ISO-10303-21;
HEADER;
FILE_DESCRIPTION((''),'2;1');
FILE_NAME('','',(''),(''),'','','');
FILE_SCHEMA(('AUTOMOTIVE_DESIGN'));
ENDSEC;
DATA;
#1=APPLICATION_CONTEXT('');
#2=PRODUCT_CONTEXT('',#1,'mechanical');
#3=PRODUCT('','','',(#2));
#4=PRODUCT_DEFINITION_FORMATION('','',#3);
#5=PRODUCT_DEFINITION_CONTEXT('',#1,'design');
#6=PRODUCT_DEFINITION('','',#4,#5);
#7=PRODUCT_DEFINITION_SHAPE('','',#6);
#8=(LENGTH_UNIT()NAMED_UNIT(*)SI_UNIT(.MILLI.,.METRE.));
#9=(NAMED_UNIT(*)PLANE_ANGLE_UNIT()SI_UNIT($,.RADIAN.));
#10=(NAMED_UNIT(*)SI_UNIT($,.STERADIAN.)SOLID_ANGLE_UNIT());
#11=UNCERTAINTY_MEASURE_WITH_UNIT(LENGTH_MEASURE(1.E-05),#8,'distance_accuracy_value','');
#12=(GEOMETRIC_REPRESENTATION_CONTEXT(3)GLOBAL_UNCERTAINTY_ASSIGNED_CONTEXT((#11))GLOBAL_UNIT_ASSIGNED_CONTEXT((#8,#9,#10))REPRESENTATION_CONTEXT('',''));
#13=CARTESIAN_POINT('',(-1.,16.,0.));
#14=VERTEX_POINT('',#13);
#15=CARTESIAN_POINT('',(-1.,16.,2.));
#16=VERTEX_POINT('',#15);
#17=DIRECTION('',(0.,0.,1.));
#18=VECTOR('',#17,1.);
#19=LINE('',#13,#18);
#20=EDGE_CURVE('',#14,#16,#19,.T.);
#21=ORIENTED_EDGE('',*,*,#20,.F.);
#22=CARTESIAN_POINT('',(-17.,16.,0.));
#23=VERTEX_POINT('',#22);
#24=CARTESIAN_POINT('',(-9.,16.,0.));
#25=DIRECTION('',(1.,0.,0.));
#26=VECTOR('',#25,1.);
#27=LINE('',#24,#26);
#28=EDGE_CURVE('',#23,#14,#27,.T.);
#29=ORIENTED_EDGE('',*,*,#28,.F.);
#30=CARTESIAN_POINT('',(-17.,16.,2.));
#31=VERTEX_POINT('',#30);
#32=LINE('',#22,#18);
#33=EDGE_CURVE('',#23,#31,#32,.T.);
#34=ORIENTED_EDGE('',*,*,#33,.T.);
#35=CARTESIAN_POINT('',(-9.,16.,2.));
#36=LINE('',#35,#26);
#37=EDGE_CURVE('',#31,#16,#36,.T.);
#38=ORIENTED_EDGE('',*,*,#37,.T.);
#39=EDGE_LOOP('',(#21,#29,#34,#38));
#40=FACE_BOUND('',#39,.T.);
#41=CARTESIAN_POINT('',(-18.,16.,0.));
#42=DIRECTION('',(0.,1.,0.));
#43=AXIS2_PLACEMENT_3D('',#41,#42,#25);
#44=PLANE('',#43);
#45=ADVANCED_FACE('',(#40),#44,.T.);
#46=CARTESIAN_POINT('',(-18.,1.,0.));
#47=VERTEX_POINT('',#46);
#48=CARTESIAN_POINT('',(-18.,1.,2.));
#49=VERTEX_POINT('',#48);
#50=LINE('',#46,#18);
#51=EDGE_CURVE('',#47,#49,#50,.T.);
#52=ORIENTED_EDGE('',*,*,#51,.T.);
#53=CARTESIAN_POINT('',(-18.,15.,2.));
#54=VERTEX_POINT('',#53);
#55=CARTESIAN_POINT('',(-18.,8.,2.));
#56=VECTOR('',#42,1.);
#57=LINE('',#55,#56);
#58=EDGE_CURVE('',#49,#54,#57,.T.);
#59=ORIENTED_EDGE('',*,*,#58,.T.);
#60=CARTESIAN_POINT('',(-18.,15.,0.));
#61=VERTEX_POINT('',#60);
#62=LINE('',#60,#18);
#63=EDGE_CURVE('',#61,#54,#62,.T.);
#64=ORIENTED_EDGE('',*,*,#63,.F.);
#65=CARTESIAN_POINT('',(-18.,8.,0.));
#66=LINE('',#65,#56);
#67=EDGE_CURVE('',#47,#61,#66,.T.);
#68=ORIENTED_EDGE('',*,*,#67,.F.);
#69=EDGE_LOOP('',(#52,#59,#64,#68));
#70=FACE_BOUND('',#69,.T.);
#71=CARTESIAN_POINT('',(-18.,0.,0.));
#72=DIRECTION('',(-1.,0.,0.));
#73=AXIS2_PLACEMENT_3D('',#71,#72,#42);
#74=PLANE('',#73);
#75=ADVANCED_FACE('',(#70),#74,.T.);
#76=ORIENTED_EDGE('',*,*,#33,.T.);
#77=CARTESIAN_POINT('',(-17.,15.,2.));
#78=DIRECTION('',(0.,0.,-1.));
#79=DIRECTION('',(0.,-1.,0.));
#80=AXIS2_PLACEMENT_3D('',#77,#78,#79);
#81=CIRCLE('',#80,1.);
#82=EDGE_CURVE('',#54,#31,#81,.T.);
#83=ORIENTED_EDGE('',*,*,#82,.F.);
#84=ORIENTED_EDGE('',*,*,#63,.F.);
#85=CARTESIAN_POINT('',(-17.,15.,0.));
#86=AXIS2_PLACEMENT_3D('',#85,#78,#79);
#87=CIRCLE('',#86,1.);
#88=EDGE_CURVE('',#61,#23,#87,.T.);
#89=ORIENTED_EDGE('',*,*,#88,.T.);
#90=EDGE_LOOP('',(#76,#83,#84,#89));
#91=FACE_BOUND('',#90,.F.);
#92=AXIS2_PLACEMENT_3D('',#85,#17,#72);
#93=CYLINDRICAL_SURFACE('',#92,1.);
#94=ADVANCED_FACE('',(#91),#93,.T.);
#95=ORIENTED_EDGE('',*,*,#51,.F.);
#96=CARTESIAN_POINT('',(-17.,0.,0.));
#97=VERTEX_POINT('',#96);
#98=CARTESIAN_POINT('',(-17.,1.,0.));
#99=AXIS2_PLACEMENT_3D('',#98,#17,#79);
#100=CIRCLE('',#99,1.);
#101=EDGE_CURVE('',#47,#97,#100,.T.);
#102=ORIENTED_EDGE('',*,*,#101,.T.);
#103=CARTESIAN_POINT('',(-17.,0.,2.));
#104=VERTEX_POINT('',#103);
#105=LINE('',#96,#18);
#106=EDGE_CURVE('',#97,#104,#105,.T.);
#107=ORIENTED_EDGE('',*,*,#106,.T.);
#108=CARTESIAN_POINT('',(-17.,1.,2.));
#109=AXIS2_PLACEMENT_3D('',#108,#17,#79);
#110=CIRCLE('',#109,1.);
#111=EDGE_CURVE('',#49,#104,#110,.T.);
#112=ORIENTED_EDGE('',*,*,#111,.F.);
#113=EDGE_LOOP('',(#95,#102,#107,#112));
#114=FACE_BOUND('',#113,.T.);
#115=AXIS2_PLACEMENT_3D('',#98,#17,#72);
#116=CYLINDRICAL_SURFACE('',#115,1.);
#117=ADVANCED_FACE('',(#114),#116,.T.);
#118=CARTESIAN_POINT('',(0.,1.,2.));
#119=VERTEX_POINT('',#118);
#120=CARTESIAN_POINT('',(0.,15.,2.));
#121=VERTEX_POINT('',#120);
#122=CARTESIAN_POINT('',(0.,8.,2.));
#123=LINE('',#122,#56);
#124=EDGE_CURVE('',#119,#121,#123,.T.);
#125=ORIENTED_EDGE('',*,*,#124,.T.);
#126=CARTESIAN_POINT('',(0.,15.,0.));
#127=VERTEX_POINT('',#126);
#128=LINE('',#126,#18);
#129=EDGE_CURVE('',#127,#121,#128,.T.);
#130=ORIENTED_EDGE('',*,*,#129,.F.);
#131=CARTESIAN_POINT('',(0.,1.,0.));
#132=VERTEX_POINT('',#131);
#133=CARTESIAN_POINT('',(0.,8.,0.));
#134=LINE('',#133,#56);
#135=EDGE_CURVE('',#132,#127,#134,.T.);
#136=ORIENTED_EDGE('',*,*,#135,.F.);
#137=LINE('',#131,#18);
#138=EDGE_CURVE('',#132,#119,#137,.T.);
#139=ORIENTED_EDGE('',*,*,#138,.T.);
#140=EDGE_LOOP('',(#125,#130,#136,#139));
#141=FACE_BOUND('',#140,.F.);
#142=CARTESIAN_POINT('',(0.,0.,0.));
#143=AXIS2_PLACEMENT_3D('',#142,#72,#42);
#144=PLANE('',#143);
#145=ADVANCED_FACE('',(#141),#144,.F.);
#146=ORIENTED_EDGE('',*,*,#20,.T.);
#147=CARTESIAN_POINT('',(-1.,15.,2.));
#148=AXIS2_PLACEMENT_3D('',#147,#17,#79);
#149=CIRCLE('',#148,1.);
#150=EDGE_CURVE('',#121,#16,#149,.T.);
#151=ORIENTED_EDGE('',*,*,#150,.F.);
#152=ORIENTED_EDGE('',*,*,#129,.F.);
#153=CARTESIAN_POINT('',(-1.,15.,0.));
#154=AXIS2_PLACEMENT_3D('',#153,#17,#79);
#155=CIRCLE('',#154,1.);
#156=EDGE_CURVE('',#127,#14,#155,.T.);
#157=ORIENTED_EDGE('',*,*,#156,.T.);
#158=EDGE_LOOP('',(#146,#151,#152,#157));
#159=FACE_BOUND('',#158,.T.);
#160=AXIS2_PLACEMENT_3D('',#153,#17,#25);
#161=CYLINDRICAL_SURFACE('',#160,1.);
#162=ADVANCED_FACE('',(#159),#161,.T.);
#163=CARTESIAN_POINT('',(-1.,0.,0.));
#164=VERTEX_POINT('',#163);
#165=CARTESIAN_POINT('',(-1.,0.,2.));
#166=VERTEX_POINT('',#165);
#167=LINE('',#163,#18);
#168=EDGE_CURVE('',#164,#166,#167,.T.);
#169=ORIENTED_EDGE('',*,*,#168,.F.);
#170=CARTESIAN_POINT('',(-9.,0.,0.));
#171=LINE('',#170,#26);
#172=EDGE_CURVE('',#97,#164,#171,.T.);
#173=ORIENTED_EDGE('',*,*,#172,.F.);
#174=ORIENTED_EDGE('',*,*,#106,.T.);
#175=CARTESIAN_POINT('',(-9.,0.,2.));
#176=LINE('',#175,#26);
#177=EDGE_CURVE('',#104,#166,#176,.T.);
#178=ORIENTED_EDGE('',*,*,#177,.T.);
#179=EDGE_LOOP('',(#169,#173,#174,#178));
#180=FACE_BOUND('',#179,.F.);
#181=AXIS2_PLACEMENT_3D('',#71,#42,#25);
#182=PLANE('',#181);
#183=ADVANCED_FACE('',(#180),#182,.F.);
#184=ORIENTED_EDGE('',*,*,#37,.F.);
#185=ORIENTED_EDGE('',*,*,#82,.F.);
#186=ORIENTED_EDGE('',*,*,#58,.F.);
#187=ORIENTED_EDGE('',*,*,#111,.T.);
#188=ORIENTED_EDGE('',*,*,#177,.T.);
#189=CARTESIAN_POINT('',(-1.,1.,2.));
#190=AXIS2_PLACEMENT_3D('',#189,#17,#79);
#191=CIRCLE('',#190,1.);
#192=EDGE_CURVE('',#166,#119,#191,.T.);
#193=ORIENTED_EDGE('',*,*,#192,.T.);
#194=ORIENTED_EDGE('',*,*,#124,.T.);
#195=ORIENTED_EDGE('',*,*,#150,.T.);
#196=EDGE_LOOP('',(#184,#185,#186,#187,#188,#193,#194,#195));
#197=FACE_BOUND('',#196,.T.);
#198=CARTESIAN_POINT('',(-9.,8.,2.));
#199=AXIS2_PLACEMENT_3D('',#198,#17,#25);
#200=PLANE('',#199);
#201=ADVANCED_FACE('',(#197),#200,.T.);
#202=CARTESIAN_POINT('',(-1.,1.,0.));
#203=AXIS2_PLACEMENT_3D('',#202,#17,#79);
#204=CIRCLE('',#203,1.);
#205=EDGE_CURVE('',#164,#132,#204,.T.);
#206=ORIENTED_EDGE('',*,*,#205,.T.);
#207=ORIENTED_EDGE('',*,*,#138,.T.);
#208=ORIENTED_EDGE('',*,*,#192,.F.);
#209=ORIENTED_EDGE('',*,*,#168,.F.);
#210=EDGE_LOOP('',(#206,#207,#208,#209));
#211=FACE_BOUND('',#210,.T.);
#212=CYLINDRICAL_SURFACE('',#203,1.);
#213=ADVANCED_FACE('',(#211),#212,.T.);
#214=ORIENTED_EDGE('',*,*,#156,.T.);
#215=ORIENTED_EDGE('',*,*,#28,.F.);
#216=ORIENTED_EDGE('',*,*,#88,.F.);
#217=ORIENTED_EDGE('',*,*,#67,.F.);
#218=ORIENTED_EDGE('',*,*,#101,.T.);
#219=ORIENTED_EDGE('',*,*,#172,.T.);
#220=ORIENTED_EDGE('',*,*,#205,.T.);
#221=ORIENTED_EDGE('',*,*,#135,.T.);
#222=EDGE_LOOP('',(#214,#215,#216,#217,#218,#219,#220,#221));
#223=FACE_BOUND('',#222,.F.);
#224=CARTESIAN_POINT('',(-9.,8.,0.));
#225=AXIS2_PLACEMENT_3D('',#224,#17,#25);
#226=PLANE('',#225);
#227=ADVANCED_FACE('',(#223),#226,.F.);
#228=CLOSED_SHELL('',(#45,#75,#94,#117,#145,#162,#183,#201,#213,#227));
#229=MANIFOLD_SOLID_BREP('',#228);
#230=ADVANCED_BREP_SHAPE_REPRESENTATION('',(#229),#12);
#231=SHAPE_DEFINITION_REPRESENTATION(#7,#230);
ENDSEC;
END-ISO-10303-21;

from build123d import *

# Parameters (mm, degrees)
SKETCH_W  = 18
SKETCH_H  = 16
PAD_DEPTH = 2
FILLET_R  = 1


with BuildPart() as part:
    # Sketch → Pad (new body)
    with BuildSketch(Plane.XY):
        with Locations((-9, 8)):
            Rectangle(SKETCH_W, SKETCH_H)
    extrude(amount=PAD_DEPTH)

    # Fillet
    fillet_edges = [part.edges().sort_by_distance(p)[0] for p in [
        (-18, 0, 1),
        (0, 0, 1),
        (0, 16, 1),
        (-18, 16, 1),
    ]]
    fillet(fillet_edges, radius=FILLET_R)


solid = part.part
